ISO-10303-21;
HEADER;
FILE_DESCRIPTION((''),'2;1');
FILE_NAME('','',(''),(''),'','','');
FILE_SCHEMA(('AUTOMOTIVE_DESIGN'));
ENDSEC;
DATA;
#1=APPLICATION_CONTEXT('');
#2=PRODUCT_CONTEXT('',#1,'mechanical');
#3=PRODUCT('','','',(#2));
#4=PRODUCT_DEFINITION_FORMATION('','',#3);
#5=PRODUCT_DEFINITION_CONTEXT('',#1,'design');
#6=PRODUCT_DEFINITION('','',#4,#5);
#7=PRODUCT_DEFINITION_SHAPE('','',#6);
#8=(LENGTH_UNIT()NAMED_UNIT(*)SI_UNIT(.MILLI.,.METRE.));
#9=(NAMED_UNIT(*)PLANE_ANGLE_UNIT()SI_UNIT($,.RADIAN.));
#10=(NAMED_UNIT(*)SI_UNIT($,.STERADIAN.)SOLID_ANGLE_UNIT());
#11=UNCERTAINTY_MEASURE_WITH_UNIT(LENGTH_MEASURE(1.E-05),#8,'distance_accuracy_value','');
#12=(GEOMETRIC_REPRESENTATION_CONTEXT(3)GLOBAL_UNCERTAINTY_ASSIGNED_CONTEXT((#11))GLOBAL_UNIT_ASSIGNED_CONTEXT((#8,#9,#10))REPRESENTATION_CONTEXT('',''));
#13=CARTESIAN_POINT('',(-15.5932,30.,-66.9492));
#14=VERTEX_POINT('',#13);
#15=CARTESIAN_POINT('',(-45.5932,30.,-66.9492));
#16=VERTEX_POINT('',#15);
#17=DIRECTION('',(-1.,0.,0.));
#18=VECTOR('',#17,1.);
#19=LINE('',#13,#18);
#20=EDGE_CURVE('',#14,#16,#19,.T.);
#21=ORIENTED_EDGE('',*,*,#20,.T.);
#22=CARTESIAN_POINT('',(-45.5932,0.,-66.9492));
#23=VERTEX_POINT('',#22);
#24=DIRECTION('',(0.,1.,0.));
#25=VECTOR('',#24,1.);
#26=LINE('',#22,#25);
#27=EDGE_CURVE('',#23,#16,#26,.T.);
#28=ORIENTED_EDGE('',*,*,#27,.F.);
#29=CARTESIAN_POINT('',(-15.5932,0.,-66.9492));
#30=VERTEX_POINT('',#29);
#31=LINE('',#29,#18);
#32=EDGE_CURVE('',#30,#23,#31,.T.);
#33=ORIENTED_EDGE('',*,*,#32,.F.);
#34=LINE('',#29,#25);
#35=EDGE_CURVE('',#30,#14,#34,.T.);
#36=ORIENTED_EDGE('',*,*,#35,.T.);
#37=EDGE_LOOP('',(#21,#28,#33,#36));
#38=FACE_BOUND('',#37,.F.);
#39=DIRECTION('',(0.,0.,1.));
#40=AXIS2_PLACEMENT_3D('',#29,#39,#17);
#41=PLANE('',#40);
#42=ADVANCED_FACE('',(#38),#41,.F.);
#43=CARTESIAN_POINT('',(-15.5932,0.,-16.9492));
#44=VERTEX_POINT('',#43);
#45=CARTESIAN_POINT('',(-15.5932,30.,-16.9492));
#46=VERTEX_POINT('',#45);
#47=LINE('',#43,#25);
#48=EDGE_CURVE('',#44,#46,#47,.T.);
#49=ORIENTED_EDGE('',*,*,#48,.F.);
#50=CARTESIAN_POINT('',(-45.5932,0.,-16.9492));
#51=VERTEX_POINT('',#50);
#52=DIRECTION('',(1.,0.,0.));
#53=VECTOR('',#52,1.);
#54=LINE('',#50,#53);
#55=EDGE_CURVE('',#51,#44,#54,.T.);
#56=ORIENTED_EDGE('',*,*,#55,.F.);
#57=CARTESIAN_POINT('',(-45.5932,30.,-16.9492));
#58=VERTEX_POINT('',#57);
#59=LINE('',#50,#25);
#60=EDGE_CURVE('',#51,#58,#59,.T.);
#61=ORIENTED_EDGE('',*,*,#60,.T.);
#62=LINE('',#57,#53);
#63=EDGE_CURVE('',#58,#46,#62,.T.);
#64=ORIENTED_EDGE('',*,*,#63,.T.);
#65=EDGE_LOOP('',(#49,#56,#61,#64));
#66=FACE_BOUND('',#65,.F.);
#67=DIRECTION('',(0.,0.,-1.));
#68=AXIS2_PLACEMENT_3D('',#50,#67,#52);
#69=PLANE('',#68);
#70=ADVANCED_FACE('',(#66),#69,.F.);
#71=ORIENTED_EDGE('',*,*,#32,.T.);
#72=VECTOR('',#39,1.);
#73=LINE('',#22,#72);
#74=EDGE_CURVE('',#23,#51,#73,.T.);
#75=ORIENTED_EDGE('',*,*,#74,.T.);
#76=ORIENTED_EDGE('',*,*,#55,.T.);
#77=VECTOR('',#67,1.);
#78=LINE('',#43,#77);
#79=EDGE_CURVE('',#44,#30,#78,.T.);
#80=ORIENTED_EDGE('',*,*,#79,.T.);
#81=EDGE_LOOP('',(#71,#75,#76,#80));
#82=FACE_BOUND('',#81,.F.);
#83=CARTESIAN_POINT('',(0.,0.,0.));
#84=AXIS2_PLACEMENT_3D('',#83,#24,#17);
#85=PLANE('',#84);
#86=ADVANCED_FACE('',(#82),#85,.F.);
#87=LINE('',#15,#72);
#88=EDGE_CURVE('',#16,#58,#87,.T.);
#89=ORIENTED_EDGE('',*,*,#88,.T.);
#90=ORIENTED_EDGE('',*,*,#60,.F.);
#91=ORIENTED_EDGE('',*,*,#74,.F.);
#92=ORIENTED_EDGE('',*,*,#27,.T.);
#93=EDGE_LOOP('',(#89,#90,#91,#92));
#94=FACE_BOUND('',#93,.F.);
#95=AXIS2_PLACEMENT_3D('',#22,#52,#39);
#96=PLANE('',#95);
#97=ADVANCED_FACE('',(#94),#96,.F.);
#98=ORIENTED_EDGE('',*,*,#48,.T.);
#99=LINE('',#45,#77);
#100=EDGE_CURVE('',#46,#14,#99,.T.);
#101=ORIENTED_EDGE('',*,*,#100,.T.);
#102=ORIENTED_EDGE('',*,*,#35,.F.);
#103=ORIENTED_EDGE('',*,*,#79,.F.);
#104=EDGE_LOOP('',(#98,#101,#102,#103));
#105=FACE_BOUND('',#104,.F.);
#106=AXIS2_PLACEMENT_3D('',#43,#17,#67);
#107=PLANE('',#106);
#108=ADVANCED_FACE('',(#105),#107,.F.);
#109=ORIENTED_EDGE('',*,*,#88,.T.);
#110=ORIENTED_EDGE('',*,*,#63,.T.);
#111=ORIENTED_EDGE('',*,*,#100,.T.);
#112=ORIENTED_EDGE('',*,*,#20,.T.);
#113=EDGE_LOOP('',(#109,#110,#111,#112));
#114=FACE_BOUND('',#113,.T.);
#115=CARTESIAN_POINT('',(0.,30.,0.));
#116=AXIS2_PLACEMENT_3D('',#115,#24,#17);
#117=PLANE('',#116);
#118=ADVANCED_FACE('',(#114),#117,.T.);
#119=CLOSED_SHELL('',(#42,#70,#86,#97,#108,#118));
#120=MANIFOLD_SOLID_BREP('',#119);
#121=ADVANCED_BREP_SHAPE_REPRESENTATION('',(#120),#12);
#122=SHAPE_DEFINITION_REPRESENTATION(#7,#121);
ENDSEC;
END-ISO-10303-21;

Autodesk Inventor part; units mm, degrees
ref_plane "YZ Plane" through (0, 0, 0) normal (1, 0, 0) x (0, 1, 0)
ref_plane "XZ Plane" through (0, 0, 0) normal (0, 1, 0) x (-1, 0, 0)
ref_plane "XY Plane" through (0, 0, 0) normal (0, 0, 1) x (1, 0, 0)
sketch "Skizze1" plane through (0, 0, 0) normal (0, 1, 0) x (-1, 0, 0)
  line L0 (45.5932, -16.9492) -> (15.5932, -16.9492)
  line L1 (15.5932, -16.9492) -> (15.5932, -66.9492)
  line L2 (15.5932, -66.9492) -> (45.5932, -66.9492)
  line L3 (45.5932, -66.9492) -> (45.5932, -16.9492)
  point P0 (0, 0)
  dimension "d0" = 50
  dimension "d1" = 30
extrude "Extrusion1" add sketch "Skizze1" along normal blind 30
properties part number "Battery-Controller"
